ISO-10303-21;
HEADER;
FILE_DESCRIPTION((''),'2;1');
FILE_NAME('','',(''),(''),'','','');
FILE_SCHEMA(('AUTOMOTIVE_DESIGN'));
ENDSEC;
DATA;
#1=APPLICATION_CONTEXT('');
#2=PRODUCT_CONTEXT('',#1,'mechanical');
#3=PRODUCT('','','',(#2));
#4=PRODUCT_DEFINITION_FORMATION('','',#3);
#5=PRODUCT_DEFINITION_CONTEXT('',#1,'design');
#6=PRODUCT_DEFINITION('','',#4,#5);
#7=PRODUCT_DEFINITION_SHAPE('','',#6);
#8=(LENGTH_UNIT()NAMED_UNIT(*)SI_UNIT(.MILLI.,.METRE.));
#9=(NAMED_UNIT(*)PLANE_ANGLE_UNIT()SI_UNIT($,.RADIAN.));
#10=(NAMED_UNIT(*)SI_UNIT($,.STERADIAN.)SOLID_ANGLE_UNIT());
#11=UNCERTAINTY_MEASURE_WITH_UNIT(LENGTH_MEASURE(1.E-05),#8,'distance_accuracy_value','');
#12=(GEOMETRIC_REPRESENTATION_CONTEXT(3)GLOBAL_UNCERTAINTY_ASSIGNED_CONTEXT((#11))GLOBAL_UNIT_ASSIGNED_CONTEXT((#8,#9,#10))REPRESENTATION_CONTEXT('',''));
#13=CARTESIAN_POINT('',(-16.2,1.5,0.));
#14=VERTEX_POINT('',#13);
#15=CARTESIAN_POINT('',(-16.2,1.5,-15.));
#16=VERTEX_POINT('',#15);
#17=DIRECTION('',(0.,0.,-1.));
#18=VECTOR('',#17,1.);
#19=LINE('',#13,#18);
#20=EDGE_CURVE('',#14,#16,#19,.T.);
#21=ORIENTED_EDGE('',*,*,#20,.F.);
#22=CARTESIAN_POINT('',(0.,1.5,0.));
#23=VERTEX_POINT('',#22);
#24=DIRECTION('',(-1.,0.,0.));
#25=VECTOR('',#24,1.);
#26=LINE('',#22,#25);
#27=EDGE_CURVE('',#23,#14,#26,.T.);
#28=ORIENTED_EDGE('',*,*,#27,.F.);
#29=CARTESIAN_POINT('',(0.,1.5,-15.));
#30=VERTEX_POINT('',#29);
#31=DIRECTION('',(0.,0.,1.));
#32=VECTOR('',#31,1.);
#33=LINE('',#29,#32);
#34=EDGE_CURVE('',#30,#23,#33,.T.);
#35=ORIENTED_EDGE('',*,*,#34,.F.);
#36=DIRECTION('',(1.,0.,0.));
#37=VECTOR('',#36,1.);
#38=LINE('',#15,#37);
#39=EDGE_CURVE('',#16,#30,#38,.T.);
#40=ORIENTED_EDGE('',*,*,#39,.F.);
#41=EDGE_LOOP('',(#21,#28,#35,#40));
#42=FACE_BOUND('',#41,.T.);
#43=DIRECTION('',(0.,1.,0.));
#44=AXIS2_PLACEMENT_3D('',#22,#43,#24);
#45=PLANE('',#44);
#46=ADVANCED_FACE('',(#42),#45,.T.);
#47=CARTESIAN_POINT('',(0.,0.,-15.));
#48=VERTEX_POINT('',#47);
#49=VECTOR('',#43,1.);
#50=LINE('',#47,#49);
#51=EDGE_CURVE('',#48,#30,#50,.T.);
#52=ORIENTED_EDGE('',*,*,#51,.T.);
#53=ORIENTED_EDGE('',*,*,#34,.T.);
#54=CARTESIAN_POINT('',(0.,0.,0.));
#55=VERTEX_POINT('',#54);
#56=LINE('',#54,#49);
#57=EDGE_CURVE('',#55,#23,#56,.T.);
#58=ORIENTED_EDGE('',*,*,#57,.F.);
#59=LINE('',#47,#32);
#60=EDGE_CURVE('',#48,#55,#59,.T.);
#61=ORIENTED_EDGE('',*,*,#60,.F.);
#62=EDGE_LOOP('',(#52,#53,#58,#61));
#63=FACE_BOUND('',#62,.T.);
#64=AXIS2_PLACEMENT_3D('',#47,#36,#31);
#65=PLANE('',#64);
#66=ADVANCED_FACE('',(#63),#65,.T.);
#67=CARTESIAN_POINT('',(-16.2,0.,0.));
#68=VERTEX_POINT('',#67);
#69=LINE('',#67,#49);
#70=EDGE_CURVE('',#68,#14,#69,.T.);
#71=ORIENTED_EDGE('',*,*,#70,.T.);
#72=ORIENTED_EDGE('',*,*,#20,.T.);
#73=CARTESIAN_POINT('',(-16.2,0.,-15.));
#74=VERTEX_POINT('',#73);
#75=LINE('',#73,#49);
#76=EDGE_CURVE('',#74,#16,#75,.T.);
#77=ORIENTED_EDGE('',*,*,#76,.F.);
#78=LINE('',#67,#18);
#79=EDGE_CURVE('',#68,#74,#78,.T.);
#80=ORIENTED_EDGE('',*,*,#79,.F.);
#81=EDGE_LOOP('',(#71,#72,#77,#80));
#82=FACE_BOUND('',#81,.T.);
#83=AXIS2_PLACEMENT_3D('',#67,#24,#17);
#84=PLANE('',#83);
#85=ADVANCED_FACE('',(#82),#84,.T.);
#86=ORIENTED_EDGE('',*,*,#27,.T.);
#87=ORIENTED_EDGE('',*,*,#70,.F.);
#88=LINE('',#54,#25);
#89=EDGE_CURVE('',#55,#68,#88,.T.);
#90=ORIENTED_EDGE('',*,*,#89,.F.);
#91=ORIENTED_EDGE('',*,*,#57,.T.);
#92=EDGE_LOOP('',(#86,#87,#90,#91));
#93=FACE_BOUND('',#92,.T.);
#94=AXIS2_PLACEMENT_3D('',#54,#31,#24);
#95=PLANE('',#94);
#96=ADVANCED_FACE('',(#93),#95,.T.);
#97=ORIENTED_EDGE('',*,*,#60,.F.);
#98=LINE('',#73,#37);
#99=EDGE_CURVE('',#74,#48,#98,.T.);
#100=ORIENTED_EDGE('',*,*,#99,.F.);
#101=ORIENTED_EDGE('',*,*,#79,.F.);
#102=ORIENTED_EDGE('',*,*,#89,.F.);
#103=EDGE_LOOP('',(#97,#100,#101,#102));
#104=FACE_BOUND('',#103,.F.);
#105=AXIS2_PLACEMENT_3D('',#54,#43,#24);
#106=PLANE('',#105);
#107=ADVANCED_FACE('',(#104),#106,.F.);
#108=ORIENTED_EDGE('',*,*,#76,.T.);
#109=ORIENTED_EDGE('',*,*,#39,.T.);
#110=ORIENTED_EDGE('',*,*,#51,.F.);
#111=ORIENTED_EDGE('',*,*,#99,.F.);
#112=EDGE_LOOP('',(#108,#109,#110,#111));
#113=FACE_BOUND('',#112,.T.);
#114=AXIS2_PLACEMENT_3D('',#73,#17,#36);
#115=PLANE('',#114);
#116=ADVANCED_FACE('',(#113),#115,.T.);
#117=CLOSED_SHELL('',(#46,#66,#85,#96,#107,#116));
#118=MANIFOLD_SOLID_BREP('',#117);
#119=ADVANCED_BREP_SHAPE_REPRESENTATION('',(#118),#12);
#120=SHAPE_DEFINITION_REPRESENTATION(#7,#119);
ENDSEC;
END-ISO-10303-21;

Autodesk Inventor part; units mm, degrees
ref_plane "YZ Plane" through (0, 0, 0) normal (1, 0, 0) x (0, 1, 0)
ref_plane "XZ Plane" through (0, 0, 0) normal (0, 1, 0) x (-1, 0, 0)
ref_plane "XY Plane" through (0, 0, 0) normal (0, 0, 1) x (1, 0, 0)
sketch "Sketch1" plane through (0, 0, 0) normal (0, 1, 0) x (-1, 0, 0)
  line L0 (0, 0) -> (16.2, 0)
  line L1 (16.2, 0) -> (16.2, -15)
  line L2 (16.2, -15) -> (0, -15)
  line L3 (0, -15) -> (0, 0)
  dimension "d0" = 16.2
  dimension "d1" = 15
extrude "Extrusion1" add sketch "Sketch1" along normal blind 1.5
properties part number "line_sensors"
